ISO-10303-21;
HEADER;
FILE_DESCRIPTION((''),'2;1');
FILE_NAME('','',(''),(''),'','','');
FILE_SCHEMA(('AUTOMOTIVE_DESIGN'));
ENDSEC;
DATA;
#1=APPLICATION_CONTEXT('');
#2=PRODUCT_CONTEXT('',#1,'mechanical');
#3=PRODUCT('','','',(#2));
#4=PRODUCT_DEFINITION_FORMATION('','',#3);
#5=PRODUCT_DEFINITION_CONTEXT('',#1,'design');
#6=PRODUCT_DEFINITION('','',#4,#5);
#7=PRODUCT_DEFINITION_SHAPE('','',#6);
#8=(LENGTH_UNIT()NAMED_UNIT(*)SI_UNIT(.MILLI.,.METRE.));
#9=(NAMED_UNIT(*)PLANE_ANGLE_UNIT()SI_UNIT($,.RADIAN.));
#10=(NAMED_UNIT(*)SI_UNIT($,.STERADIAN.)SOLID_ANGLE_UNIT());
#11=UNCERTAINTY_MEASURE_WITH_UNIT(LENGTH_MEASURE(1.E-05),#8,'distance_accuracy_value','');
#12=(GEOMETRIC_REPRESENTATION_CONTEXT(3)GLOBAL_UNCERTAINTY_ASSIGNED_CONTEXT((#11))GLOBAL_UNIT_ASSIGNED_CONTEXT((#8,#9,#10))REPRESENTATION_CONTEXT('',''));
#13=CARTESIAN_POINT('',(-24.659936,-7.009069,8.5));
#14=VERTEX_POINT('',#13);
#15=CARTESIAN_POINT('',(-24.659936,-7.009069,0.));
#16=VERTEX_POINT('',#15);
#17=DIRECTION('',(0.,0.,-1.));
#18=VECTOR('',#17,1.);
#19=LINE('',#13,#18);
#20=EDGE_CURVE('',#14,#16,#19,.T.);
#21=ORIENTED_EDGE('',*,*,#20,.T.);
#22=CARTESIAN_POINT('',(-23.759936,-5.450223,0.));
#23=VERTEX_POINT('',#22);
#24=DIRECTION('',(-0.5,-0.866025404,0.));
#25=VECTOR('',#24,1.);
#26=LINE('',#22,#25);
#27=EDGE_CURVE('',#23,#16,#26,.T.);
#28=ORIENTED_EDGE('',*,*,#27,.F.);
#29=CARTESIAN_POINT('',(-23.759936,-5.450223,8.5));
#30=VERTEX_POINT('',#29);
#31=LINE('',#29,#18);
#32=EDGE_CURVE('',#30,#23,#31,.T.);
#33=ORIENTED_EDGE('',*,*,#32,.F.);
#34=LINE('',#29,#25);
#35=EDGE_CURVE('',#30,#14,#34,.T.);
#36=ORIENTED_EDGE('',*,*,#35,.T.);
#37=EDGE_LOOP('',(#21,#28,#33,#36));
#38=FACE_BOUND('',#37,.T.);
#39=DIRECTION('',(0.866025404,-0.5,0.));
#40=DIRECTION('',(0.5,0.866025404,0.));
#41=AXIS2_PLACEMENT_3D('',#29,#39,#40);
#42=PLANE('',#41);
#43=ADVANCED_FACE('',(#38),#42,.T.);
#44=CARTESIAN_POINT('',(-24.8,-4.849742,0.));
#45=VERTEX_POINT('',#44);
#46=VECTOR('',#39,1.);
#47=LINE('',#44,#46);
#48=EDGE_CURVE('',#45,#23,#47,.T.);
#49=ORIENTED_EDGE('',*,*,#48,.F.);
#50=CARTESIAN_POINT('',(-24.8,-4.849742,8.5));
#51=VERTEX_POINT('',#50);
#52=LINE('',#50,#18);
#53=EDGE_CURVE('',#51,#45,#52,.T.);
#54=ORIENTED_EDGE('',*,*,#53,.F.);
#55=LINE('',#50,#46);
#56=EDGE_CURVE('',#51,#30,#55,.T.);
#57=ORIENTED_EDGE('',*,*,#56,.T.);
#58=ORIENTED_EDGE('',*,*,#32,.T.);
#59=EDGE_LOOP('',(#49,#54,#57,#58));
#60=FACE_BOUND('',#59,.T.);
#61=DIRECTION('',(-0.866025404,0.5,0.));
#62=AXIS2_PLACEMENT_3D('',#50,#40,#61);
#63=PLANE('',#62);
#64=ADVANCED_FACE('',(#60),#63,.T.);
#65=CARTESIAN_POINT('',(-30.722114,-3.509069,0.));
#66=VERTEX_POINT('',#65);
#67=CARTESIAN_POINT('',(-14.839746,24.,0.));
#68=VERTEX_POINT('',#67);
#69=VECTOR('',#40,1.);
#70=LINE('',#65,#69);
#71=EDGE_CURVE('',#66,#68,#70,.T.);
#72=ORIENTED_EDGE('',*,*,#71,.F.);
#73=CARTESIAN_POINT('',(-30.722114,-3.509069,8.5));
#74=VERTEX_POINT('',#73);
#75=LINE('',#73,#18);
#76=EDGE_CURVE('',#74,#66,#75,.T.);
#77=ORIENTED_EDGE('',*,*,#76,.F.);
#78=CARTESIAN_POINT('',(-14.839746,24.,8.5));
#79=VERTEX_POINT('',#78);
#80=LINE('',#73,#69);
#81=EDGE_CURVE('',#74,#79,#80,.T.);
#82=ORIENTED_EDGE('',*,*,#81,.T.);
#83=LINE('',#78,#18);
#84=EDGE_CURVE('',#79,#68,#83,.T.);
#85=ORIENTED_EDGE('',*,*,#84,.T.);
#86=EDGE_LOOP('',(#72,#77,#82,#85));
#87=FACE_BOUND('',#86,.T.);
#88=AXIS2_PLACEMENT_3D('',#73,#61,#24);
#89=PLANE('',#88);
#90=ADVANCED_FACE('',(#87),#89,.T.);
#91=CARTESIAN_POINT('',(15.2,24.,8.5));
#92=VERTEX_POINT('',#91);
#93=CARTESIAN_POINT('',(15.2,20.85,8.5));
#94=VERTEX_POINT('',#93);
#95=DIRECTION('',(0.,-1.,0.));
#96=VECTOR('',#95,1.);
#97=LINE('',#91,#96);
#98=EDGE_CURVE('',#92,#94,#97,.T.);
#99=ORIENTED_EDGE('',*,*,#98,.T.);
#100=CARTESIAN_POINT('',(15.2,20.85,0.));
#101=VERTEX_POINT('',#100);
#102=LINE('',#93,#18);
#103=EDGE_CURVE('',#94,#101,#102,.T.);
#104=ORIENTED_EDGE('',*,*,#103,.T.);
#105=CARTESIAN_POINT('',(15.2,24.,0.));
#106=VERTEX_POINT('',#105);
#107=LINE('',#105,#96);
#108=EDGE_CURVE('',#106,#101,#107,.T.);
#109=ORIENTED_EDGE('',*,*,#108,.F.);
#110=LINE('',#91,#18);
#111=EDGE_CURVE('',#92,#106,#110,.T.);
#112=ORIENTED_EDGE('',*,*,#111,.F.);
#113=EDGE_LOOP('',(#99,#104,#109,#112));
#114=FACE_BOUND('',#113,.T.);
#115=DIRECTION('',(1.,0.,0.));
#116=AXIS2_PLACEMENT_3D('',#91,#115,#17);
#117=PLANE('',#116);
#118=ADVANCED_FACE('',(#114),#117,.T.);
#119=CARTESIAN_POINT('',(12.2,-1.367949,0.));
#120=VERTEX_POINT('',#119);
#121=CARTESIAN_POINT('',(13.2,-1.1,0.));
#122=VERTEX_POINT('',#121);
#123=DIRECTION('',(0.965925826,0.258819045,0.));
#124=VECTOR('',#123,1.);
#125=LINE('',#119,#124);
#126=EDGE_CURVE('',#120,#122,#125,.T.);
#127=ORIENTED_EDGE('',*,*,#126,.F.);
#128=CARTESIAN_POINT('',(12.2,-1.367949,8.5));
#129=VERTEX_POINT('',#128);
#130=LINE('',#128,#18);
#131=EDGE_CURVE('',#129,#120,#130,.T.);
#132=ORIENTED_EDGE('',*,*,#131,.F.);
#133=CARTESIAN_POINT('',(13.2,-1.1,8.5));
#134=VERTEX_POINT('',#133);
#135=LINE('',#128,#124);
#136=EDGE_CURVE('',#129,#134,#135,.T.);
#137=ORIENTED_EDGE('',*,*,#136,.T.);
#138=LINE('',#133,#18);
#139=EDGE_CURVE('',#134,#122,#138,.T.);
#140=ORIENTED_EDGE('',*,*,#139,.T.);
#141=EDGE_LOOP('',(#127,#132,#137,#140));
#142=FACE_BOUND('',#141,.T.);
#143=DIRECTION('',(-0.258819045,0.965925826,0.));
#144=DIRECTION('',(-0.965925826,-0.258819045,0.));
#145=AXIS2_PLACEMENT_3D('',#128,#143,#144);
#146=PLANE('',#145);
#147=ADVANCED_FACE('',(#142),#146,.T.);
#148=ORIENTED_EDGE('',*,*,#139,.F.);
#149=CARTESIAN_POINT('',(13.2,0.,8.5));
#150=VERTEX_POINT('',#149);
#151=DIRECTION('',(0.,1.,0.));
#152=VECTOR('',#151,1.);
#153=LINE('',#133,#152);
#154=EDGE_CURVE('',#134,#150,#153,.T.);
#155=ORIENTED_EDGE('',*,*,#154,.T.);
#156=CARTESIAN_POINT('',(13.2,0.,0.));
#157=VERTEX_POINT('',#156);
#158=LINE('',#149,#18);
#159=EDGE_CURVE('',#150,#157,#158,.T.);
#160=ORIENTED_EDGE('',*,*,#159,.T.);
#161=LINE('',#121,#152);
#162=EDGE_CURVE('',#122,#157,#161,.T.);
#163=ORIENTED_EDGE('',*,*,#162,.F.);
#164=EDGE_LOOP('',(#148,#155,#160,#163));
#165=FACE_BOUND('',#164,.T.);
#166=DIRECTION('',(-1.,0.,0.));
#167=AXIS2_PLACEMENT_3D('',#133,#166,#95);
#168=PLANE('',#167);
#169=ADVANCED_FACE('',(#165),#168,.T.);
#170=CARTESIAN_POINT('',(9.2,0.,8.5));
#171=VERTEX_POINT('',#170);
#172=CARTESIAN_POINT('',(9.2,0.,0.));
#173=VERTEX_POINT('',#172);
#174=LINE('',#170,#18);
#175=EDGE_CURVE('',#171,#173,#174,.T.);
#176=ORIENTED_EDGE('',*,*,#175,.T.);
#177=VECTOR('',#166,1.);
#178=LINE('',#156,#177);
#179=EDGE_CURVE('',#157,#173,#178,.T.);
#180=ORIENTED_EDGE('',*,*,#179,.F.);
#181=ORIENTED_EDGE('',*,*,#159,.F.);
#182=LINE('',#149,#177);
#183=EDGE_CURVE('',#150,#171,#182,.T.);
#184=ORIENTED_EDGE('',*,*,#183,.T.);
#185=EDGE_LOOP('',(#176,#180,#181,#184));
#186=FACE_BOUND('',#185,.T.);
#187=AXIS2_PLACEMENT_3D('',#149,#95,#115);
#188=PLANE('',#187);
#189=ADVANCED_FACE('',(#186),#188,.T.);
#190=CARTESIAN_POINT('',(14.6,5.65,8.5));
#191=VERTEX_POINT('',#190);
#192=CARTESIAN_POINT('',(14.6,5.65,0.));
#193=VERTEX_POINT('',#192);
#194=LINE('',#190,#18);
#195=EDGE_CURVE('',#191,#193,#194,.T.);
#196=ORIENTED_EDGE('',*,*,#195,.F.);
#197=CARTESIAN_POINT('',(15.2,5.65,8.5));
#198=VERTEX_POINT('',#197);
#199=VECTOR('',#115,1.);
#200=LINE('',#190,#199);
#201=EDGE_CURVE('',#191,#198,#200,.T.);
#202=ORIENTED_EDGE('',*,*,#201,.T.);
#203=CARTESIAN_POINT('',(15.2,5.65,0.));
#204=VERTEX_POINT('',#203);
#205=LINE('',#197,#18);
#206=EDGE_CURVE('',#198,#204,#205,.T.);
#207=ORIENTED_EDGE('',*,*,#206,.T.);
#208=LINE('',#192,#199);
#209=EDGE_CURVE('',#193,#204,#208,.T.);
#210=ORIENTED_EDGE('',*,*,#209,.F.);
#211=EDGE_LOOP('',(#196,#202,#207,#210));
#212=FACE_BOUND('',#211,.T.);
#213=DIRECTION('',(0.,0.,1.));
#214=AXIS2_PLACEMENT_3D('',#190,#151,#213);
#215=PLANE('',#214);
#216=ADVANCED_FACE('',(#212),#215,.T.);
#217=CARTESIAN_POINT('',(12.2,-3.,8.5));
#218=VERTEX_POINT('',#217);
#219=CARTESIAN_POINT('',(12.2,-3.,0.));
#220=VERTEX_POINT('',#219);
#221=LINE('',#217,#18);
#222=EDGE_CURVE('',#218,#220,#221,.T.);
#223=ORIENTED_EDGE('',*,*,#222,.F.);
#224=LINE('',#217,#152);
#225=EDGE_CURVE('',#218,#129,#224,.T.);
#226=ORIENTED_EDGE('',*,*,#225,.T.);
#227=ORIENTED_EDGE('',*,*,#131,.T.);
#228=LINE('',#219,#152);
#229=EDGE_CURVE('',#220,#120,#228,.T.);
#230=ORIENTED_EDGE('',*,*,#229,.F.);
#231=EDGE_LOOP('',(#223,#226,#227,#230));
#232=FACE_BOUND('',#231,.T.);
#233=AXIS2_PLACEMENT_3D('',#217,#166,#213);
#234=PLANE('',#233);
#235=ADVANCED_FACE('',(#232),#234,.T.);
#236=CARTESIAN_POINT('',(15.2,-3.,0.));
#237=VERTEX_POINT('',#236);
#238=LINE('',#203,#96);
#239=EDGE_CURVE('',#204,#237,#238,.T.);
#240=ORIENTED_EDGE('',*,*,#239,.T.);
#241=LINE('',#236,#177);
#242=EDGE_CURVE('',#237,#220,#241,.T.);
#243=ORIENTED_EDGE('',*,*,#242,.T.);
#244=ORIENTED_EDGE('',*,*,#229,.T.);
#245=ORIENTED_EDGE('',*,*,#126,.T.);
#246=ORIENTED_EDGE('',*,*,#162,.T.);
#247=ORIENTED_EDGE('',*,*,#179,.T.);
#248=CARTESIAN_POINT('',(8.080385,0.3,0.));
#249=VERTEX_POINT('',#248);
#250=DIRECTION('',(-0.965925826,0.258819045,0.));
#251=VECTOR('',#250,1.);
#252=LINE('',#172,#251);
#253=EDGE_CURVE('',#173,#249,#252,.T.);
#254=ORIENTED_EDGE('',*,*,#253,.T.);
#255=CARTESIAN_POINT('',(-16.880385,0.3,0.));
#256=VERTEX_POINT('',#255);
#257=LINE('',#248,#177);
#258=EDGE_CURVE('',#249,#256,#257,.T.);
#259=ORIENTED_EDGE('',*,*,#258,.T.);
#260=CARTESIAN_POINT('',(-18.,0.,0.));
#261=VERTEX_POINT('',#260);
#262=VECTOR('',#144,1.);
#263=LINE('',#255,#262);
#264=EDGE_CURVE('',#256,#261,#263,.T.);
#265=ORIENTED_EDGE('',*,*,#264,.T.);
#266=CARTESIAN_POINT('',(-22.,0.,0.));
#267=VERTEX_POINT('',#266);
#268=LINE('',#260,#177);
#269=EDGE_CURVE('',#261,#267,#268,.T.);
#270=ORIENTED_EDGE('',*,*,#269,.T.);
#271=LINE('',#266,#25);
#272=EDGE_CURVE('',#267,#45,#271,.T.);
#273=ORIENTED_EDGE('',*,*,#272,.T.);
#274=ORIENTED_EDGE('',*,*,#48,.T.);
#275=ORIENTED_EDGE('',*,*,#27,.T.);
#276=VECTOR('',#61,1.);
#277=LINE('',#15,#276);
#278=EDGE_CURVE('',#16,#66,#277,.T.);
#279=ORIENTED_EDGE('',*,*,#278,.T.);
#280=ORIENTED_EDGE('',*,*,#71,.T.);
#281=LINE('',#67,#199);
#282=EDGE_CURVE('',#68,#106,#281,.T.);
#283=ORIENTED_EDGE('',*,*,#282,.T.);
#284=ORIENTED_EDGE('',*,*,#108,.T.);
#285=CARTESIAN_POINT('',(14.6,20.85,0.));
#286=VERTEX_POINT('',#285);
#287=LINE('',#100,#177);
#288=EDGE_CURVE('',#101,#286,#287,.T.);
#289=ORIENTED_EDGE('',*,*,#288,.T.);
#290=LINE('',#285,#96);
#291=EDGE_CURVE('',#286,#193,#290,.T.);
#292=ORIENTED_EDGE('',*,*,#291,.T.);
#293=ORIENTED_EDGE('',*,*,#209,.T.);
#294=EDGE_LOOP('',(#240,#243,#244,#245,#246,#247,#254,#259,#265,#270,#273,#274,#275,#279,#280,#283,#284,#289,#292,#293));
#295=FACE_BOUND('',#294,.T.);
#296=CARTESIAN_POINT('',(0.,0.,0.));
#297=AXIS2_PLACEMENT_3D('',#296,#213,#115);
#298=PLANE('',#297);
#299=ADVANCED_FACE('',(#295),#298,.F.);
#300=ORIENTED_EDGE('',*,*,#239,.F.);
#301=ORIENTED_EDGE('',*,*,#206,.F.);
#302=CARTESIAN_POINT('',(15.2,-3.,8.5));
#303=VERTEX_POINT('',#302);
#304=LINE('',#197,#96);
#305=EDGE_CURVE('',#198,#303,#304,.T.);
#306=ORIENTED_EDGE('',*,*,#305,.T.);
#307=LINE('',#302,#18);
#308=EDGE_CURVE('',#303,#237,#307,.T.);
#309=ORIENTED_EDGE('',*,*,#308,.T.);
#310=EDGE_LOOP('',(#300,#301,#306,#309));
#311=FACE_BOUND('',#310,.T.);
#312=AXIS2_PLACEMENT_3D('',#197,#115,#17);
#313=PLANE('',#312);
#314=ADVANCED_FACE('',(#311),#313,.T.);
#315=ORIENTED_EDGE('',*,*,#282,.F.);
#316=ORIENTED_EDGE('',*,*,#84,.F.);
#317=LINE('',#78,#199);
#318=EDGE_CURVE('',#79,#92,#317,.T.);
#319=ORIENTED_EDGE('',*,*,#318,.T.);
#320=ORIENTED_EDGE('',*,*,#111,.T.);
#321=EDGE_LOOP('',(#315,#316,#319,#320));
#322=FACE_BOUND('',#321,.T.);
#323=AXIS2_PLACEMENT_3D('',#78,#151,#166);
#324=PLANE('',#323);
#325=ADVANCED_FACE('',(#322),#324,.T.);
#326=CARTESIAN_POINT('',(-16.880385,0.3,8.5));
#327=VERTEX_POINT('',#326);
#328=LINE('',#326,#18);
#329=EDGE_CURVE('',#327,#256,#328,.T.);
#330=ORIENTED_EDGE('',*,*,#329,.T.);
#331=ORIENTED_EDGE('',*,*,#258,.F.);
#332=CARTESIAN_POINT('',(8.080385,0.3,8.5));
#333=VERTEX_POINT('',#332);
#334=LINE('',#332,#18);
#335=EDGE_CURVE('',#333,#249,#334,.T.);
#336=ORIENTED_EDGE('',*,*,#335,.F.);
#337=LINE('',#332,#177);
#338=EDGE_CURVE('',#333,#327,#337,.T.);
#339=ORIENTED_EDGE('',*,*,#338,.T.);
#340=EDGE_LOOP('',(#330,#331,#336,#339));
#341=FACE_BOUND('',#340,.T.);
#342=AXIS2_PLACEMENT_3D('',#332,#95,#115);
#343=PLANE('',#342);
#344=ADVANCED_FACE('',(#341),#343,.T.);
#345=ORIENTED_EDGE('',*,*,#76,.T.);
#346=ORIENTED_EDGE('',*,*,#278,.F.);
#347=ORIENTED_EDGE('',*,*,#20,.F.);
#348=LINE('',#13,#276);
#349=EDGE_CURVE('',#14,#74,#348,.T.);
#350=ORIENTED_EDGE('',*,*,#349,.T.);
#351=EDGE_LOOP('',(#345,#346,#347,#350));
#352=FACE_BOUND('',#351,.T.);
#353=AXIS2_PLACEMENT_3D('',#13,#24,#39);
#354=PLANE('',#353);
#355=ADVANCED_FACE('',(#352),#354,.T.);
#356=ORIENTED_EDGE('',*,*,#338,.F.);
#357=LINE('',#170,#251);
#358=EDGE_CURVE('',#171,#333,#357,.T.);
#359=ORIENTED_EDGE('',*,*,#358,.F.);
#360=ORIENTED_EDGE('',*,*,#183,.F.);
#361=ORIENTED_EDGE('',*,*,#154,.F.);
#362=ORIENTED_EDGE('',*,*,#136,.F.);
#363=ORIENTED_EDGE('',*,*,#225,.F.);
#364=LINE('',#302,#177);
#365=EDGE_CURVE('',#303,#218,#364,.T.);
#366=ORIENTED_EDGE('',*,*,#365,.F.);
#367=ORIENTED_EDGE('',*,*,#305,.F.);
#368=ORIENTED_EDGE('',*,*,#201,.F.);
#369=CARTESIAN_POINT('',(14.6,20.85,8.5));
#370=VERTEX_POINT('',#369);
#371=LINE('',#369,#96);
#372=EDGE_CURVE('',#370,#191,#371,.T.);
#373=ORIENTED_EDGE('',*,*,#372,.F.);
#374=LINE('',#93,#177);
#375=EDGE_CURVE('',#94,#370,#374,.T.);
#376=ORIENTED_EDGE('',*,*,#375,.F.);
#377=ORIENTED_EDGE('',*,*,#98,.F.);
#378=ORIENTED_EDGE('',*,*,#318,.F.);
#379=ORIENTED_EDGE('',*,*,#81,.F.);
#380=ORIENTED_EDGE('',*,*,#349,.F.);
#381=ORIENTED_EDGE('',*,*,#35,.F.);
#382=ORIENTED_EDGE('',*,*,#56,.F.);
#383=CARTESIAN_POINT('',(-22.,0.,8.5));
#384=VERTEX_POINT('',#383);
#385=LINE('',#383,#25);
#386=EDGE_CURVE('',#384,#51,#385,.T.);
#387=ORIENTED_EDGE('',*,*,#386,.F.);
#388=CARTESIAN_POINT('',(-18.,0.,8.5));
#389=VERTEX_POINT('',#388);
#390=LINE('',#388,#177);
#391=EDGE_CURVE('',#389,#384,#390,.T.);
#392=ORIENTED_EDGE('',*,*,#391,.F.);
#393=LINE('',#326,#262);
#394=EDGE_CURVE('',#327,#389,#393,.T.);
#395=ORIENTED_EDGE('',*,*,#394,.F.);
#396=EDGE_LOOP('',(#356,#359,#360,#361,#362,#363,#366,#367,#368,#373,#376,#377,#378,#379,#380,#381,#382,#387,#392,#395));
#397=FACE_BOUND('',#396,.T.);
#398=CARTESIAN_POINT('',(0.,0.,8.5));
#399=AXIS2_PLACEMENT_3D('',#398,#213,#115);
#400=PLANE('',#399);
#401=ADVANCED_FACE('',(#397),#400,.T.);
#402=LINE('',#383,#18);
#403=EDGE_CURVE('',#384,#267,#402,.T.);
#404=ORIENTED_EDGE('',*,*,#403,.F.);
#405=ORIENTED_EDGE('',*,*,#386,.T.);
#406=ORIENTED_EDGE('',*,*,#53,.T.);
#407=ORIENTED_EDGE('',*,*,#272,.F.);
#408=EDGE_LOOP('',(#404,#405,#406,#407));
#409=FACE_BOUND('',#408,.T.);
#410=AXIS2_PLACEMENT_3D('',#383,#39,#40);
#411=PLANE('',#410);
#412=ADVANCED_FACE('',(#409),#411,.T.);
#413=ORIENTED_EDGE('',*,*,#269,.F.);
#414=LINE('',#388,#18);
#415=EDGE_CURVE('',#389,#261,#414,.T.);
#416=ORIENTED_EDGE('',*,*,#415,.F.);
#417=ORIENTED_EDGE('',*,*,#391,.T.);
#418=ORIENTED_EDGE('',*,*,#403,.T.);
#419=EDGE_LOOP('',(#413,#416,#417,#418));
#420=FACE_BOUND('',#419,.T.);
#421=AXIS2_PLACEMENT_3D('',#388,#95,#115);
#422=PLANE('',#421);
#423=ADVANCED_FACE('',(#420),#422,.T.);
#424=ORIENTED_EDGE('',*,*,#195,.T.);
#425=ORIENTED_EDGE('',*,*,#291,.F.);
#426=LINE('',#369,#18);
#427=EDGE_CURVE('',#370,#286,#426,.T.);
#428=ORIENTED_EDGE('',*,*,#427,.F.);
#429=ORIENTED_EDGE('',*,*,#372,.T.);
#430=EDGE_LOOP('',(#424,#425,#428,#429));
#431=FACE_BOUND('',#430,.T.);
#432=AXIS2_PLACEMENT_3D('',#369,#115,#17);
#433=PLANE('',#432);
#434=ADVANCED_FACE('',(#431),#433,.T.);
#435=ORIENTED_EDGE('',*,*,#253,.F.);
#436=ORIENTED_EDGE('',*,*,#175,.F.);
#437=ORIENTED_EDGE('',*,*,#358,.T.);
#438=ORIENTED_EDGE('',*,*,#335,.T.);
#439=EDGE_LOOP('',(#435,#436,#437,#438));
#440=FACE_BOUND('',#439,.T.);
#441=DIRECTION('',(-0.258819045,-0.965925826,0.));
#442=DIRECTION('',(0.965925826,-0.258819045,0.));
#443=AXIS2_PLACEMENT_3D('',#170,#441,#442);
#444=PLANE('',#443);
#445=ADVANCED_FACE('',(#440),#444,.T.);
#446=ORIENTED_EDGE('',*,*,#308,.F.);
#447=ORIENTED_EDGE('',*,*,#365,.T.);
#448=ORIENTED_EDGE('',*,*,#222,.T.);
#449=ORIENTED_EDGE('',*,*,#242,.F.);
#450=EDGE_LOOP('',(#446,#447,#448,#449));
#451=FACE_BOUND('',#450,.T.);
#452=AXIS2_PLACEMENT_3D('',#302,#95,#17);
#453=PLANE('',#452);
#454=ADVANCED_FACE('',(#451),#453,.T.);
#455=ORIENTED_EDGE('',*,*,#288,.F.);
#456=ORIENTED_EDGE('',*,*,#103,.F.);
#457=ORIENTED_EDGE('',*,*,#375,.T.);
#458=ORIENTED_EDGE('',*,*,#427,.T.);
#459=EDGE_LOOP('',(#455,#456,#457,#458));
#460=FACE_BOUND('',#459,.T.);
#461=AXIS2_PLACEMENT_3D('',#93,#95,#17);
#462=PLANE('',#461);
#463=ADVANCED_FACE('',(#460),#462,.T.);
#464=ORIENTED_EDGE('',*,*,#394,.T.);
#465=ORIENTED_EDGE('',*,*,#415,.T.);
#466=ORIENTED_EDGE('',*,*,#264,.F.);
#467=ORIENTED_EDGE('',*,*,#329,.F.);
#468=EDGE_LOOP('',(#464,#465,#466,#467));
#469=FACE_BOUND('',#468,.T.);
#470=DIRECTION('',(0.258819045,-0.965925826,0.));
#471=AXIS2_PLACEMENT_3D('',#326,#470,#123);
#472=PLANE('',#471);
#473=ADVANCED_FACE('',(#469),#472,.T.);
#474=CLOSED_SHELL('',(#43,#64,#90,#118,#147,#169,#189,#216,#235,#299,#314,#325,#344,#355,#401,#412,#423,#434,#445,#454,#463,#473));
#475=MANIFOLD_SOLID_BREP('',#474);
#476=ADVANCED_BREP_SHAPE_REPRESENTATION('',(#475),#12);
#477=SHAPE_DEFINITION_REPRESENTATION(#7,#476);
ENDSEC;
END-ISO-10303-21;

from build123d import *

# Parameters (mm, degrees)
DODANIE_WYCI_GNI_CIE1_DEPTH = 8.5


with BuildPart() as part:
    # Szkic1 → Dodanie-wyciągnięcie1 (new body)
    with BuildSketch(Plane(origin=(0, 0, 0), x_dir=(-1, 0, 0), z_dir=(0, 0, -1))):
        Polygon((-8.080384758, 0.3), (16.880384758, 0.3), (18, 0), (22, 0), (24.8, -4.849742261), (23.759936491, -5.450223208), (24.659936491, -7.009068935), (30.722114317, -3.509068935), (14.839745962, 24), (-15.2, 24), (-15.2, 20.85), (-14.6, 20.85), (-14.6, 5.65), (-15.2, 5.65), (-15.2, -3), (-12.2, -3), (-12.2, -1.367949192), (-13.2, -1.1), (-13.2, 0), (-9.2, 0), align=None)
    extrude(amount=-DODANIE_WYCI_GNI_CIE1_DEPTH)


solid = part.part
